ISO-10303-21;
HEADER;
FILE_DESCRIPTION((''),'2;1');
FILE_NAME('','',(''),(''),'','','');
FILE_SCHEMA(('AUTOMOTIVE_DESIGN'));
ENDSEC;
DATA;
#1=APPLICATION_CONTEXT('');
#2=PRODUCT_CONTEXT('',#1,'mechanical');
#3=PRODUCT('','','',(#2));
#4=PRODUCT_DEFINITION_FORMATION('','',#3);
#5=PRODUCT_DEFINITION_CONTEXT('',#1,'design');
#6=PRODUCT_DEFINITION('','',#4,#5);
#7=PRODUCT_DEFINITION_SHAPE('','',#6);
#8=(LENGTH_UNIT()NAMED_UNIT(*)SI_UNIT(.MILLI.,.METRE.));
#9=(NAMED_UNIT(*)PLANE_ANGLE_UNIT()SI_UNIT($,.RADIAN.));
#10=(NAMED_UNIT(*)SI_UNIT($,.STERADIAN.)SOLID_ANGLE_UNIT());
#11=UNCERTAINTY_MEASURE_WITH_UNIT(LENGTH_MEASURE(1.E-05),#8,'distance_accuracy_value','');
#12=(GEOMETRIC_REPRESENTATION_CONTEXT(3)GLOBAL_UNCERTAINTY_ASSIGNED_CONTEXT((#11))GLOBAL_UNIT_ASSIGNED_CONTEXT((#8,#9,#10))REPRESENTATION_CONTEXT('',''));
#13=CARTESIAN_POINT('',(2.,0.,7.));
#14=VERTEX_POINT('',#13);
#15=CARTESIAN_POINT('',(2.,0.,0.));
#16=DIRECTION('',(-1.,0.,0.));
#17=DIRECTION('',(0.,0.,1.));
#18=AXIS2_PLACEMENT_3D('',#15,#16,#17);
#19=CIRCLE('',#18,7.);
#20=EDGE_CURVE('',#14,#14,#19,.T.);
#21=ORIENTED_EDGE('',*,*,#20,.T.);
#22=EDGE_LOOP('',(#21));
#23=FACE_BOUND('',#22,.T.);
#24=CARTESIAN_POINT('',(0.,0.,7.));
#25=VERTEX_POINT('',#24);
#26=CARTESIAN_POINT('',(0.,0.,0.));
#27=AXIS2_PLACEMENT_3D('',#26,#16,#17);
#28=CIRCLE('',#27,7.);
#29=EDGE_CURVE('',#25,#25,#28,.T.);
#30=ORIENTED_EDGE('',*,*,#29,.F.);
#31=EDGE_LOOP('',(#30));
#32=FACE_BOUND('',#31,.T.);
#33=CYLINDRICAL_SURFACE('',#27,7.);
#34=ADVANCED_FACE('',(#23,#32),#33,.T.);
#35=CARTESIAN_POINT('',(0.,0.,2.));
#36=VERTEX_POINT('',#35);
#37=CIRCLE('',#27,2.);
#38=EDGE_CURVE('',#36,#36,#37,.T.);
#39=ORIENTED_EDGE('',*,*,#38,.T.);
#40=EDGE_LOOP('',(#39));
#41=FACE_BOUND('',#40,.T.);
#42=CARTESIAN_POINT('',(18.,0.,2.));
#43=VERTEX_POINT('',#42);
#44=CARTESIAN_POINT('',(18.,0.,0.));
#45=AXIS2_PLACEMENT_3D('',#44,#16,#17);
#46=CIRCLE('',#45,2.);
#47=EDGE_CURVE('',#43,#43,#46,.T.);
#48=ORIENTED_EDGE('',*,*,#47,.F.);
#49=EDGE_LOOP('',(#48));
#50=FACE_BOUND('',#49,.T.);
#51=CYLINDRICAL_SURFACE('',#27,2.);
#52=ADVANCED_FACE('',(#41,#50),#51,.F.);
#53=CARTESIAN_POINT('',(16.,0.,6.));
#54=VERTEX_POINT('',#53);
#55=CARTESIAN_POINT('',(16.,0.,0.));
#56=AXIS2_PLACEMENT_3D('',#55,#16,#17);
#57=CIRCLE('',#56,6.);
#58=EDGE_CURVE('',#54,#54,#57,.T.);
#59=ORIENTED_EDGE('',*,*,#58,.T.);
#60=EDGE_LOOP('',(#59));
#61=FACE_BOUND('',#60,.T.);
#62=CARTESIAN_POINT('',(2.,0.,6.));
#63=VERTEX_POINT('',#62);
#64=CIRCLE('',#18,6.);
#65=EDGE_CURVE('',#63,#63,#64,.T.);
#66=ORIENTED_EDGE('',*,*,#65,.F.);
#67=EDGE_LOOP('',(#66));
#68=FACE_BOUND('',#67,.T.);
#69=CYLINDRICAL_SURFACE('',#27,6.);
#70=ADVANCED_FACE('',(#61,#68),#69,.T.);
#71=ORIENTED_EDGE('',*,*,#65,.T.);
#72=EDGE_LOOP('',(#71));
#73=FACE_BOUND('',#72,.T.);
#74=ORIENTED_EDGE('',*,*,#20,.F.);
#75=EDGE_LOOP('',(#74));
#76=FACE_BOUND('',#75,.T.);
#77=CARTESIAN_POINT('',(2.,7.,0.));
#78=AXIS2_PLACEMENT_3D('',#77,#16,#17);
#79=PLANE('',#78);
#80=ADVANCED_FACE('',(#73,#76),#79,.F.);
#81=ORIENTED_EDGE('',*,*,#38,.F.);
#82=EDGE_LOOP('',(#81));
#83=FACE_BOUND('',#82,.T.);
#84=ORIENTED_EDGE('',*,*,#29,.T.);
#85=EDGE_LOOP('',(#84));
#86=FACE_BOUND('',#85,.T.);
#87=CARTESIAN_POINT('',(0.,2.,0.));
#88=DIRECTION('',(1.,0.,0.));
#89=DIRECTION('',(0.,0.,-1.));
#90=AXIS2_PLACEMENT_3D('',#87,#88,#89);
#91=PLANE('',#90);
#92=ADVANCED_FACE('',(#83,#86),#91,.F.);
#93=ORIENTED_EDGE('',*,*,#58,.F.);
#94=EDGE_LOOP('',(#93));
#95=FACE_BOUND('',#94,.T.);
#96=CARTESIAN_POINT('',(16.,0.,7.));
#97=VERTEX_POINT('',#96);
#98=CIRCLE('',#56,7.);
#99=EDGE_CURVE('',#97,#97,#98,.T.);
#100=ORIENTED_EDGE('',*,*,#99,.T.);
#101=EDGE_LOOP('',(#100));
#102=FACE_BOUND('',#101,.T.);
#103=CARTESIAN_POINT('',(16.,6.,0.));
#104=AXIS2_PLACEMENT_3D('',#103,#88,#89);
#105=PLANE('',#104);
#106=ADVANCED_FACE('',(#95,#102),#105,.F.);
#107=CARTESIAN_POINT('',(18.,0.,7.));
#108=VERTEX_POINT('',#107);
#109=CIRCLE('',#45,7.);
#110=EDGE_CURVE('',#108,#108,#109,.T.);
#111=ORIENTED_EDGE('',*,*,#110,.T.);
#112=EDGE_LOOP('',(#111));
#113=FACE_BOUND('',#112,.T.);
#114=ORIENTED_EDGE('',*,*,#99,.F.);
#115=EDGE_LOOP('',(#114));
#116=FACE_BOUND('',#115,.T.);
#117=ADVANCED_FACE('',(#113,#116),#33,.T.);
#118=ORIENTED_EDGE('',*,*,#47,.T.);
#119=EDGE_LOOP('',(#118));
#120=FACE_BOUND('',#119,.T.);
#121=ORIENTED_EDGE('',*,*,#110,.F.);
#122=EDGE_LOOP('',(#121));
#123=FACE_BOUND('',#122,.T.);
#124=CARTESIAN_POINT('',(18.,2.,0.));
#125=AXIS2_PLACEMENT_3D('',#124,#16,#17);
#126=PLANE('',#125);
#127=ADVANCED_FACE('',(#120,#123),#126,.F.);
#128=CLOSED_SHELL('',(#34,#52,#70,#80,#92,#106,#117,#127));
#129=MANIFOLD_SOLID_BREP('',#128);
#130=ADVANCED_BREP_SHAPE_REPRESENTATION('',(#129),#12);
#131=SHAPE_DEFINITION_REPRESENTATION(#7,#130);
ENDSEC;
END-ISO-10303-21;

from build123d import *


with BuildPart() as part:
    # Sketch2 → Revolve1 (revolve)
    with BuildSketch(Plane.XY):
        Polygon((0, 2), (0, 7), (2, 7), (2, 6), (16, 6), (16, 7), (18, 7), (18, 2), align=None)
    revolve(axis=Axis((0, 0, 0), (1, 0, 0)))


solid = part.part
